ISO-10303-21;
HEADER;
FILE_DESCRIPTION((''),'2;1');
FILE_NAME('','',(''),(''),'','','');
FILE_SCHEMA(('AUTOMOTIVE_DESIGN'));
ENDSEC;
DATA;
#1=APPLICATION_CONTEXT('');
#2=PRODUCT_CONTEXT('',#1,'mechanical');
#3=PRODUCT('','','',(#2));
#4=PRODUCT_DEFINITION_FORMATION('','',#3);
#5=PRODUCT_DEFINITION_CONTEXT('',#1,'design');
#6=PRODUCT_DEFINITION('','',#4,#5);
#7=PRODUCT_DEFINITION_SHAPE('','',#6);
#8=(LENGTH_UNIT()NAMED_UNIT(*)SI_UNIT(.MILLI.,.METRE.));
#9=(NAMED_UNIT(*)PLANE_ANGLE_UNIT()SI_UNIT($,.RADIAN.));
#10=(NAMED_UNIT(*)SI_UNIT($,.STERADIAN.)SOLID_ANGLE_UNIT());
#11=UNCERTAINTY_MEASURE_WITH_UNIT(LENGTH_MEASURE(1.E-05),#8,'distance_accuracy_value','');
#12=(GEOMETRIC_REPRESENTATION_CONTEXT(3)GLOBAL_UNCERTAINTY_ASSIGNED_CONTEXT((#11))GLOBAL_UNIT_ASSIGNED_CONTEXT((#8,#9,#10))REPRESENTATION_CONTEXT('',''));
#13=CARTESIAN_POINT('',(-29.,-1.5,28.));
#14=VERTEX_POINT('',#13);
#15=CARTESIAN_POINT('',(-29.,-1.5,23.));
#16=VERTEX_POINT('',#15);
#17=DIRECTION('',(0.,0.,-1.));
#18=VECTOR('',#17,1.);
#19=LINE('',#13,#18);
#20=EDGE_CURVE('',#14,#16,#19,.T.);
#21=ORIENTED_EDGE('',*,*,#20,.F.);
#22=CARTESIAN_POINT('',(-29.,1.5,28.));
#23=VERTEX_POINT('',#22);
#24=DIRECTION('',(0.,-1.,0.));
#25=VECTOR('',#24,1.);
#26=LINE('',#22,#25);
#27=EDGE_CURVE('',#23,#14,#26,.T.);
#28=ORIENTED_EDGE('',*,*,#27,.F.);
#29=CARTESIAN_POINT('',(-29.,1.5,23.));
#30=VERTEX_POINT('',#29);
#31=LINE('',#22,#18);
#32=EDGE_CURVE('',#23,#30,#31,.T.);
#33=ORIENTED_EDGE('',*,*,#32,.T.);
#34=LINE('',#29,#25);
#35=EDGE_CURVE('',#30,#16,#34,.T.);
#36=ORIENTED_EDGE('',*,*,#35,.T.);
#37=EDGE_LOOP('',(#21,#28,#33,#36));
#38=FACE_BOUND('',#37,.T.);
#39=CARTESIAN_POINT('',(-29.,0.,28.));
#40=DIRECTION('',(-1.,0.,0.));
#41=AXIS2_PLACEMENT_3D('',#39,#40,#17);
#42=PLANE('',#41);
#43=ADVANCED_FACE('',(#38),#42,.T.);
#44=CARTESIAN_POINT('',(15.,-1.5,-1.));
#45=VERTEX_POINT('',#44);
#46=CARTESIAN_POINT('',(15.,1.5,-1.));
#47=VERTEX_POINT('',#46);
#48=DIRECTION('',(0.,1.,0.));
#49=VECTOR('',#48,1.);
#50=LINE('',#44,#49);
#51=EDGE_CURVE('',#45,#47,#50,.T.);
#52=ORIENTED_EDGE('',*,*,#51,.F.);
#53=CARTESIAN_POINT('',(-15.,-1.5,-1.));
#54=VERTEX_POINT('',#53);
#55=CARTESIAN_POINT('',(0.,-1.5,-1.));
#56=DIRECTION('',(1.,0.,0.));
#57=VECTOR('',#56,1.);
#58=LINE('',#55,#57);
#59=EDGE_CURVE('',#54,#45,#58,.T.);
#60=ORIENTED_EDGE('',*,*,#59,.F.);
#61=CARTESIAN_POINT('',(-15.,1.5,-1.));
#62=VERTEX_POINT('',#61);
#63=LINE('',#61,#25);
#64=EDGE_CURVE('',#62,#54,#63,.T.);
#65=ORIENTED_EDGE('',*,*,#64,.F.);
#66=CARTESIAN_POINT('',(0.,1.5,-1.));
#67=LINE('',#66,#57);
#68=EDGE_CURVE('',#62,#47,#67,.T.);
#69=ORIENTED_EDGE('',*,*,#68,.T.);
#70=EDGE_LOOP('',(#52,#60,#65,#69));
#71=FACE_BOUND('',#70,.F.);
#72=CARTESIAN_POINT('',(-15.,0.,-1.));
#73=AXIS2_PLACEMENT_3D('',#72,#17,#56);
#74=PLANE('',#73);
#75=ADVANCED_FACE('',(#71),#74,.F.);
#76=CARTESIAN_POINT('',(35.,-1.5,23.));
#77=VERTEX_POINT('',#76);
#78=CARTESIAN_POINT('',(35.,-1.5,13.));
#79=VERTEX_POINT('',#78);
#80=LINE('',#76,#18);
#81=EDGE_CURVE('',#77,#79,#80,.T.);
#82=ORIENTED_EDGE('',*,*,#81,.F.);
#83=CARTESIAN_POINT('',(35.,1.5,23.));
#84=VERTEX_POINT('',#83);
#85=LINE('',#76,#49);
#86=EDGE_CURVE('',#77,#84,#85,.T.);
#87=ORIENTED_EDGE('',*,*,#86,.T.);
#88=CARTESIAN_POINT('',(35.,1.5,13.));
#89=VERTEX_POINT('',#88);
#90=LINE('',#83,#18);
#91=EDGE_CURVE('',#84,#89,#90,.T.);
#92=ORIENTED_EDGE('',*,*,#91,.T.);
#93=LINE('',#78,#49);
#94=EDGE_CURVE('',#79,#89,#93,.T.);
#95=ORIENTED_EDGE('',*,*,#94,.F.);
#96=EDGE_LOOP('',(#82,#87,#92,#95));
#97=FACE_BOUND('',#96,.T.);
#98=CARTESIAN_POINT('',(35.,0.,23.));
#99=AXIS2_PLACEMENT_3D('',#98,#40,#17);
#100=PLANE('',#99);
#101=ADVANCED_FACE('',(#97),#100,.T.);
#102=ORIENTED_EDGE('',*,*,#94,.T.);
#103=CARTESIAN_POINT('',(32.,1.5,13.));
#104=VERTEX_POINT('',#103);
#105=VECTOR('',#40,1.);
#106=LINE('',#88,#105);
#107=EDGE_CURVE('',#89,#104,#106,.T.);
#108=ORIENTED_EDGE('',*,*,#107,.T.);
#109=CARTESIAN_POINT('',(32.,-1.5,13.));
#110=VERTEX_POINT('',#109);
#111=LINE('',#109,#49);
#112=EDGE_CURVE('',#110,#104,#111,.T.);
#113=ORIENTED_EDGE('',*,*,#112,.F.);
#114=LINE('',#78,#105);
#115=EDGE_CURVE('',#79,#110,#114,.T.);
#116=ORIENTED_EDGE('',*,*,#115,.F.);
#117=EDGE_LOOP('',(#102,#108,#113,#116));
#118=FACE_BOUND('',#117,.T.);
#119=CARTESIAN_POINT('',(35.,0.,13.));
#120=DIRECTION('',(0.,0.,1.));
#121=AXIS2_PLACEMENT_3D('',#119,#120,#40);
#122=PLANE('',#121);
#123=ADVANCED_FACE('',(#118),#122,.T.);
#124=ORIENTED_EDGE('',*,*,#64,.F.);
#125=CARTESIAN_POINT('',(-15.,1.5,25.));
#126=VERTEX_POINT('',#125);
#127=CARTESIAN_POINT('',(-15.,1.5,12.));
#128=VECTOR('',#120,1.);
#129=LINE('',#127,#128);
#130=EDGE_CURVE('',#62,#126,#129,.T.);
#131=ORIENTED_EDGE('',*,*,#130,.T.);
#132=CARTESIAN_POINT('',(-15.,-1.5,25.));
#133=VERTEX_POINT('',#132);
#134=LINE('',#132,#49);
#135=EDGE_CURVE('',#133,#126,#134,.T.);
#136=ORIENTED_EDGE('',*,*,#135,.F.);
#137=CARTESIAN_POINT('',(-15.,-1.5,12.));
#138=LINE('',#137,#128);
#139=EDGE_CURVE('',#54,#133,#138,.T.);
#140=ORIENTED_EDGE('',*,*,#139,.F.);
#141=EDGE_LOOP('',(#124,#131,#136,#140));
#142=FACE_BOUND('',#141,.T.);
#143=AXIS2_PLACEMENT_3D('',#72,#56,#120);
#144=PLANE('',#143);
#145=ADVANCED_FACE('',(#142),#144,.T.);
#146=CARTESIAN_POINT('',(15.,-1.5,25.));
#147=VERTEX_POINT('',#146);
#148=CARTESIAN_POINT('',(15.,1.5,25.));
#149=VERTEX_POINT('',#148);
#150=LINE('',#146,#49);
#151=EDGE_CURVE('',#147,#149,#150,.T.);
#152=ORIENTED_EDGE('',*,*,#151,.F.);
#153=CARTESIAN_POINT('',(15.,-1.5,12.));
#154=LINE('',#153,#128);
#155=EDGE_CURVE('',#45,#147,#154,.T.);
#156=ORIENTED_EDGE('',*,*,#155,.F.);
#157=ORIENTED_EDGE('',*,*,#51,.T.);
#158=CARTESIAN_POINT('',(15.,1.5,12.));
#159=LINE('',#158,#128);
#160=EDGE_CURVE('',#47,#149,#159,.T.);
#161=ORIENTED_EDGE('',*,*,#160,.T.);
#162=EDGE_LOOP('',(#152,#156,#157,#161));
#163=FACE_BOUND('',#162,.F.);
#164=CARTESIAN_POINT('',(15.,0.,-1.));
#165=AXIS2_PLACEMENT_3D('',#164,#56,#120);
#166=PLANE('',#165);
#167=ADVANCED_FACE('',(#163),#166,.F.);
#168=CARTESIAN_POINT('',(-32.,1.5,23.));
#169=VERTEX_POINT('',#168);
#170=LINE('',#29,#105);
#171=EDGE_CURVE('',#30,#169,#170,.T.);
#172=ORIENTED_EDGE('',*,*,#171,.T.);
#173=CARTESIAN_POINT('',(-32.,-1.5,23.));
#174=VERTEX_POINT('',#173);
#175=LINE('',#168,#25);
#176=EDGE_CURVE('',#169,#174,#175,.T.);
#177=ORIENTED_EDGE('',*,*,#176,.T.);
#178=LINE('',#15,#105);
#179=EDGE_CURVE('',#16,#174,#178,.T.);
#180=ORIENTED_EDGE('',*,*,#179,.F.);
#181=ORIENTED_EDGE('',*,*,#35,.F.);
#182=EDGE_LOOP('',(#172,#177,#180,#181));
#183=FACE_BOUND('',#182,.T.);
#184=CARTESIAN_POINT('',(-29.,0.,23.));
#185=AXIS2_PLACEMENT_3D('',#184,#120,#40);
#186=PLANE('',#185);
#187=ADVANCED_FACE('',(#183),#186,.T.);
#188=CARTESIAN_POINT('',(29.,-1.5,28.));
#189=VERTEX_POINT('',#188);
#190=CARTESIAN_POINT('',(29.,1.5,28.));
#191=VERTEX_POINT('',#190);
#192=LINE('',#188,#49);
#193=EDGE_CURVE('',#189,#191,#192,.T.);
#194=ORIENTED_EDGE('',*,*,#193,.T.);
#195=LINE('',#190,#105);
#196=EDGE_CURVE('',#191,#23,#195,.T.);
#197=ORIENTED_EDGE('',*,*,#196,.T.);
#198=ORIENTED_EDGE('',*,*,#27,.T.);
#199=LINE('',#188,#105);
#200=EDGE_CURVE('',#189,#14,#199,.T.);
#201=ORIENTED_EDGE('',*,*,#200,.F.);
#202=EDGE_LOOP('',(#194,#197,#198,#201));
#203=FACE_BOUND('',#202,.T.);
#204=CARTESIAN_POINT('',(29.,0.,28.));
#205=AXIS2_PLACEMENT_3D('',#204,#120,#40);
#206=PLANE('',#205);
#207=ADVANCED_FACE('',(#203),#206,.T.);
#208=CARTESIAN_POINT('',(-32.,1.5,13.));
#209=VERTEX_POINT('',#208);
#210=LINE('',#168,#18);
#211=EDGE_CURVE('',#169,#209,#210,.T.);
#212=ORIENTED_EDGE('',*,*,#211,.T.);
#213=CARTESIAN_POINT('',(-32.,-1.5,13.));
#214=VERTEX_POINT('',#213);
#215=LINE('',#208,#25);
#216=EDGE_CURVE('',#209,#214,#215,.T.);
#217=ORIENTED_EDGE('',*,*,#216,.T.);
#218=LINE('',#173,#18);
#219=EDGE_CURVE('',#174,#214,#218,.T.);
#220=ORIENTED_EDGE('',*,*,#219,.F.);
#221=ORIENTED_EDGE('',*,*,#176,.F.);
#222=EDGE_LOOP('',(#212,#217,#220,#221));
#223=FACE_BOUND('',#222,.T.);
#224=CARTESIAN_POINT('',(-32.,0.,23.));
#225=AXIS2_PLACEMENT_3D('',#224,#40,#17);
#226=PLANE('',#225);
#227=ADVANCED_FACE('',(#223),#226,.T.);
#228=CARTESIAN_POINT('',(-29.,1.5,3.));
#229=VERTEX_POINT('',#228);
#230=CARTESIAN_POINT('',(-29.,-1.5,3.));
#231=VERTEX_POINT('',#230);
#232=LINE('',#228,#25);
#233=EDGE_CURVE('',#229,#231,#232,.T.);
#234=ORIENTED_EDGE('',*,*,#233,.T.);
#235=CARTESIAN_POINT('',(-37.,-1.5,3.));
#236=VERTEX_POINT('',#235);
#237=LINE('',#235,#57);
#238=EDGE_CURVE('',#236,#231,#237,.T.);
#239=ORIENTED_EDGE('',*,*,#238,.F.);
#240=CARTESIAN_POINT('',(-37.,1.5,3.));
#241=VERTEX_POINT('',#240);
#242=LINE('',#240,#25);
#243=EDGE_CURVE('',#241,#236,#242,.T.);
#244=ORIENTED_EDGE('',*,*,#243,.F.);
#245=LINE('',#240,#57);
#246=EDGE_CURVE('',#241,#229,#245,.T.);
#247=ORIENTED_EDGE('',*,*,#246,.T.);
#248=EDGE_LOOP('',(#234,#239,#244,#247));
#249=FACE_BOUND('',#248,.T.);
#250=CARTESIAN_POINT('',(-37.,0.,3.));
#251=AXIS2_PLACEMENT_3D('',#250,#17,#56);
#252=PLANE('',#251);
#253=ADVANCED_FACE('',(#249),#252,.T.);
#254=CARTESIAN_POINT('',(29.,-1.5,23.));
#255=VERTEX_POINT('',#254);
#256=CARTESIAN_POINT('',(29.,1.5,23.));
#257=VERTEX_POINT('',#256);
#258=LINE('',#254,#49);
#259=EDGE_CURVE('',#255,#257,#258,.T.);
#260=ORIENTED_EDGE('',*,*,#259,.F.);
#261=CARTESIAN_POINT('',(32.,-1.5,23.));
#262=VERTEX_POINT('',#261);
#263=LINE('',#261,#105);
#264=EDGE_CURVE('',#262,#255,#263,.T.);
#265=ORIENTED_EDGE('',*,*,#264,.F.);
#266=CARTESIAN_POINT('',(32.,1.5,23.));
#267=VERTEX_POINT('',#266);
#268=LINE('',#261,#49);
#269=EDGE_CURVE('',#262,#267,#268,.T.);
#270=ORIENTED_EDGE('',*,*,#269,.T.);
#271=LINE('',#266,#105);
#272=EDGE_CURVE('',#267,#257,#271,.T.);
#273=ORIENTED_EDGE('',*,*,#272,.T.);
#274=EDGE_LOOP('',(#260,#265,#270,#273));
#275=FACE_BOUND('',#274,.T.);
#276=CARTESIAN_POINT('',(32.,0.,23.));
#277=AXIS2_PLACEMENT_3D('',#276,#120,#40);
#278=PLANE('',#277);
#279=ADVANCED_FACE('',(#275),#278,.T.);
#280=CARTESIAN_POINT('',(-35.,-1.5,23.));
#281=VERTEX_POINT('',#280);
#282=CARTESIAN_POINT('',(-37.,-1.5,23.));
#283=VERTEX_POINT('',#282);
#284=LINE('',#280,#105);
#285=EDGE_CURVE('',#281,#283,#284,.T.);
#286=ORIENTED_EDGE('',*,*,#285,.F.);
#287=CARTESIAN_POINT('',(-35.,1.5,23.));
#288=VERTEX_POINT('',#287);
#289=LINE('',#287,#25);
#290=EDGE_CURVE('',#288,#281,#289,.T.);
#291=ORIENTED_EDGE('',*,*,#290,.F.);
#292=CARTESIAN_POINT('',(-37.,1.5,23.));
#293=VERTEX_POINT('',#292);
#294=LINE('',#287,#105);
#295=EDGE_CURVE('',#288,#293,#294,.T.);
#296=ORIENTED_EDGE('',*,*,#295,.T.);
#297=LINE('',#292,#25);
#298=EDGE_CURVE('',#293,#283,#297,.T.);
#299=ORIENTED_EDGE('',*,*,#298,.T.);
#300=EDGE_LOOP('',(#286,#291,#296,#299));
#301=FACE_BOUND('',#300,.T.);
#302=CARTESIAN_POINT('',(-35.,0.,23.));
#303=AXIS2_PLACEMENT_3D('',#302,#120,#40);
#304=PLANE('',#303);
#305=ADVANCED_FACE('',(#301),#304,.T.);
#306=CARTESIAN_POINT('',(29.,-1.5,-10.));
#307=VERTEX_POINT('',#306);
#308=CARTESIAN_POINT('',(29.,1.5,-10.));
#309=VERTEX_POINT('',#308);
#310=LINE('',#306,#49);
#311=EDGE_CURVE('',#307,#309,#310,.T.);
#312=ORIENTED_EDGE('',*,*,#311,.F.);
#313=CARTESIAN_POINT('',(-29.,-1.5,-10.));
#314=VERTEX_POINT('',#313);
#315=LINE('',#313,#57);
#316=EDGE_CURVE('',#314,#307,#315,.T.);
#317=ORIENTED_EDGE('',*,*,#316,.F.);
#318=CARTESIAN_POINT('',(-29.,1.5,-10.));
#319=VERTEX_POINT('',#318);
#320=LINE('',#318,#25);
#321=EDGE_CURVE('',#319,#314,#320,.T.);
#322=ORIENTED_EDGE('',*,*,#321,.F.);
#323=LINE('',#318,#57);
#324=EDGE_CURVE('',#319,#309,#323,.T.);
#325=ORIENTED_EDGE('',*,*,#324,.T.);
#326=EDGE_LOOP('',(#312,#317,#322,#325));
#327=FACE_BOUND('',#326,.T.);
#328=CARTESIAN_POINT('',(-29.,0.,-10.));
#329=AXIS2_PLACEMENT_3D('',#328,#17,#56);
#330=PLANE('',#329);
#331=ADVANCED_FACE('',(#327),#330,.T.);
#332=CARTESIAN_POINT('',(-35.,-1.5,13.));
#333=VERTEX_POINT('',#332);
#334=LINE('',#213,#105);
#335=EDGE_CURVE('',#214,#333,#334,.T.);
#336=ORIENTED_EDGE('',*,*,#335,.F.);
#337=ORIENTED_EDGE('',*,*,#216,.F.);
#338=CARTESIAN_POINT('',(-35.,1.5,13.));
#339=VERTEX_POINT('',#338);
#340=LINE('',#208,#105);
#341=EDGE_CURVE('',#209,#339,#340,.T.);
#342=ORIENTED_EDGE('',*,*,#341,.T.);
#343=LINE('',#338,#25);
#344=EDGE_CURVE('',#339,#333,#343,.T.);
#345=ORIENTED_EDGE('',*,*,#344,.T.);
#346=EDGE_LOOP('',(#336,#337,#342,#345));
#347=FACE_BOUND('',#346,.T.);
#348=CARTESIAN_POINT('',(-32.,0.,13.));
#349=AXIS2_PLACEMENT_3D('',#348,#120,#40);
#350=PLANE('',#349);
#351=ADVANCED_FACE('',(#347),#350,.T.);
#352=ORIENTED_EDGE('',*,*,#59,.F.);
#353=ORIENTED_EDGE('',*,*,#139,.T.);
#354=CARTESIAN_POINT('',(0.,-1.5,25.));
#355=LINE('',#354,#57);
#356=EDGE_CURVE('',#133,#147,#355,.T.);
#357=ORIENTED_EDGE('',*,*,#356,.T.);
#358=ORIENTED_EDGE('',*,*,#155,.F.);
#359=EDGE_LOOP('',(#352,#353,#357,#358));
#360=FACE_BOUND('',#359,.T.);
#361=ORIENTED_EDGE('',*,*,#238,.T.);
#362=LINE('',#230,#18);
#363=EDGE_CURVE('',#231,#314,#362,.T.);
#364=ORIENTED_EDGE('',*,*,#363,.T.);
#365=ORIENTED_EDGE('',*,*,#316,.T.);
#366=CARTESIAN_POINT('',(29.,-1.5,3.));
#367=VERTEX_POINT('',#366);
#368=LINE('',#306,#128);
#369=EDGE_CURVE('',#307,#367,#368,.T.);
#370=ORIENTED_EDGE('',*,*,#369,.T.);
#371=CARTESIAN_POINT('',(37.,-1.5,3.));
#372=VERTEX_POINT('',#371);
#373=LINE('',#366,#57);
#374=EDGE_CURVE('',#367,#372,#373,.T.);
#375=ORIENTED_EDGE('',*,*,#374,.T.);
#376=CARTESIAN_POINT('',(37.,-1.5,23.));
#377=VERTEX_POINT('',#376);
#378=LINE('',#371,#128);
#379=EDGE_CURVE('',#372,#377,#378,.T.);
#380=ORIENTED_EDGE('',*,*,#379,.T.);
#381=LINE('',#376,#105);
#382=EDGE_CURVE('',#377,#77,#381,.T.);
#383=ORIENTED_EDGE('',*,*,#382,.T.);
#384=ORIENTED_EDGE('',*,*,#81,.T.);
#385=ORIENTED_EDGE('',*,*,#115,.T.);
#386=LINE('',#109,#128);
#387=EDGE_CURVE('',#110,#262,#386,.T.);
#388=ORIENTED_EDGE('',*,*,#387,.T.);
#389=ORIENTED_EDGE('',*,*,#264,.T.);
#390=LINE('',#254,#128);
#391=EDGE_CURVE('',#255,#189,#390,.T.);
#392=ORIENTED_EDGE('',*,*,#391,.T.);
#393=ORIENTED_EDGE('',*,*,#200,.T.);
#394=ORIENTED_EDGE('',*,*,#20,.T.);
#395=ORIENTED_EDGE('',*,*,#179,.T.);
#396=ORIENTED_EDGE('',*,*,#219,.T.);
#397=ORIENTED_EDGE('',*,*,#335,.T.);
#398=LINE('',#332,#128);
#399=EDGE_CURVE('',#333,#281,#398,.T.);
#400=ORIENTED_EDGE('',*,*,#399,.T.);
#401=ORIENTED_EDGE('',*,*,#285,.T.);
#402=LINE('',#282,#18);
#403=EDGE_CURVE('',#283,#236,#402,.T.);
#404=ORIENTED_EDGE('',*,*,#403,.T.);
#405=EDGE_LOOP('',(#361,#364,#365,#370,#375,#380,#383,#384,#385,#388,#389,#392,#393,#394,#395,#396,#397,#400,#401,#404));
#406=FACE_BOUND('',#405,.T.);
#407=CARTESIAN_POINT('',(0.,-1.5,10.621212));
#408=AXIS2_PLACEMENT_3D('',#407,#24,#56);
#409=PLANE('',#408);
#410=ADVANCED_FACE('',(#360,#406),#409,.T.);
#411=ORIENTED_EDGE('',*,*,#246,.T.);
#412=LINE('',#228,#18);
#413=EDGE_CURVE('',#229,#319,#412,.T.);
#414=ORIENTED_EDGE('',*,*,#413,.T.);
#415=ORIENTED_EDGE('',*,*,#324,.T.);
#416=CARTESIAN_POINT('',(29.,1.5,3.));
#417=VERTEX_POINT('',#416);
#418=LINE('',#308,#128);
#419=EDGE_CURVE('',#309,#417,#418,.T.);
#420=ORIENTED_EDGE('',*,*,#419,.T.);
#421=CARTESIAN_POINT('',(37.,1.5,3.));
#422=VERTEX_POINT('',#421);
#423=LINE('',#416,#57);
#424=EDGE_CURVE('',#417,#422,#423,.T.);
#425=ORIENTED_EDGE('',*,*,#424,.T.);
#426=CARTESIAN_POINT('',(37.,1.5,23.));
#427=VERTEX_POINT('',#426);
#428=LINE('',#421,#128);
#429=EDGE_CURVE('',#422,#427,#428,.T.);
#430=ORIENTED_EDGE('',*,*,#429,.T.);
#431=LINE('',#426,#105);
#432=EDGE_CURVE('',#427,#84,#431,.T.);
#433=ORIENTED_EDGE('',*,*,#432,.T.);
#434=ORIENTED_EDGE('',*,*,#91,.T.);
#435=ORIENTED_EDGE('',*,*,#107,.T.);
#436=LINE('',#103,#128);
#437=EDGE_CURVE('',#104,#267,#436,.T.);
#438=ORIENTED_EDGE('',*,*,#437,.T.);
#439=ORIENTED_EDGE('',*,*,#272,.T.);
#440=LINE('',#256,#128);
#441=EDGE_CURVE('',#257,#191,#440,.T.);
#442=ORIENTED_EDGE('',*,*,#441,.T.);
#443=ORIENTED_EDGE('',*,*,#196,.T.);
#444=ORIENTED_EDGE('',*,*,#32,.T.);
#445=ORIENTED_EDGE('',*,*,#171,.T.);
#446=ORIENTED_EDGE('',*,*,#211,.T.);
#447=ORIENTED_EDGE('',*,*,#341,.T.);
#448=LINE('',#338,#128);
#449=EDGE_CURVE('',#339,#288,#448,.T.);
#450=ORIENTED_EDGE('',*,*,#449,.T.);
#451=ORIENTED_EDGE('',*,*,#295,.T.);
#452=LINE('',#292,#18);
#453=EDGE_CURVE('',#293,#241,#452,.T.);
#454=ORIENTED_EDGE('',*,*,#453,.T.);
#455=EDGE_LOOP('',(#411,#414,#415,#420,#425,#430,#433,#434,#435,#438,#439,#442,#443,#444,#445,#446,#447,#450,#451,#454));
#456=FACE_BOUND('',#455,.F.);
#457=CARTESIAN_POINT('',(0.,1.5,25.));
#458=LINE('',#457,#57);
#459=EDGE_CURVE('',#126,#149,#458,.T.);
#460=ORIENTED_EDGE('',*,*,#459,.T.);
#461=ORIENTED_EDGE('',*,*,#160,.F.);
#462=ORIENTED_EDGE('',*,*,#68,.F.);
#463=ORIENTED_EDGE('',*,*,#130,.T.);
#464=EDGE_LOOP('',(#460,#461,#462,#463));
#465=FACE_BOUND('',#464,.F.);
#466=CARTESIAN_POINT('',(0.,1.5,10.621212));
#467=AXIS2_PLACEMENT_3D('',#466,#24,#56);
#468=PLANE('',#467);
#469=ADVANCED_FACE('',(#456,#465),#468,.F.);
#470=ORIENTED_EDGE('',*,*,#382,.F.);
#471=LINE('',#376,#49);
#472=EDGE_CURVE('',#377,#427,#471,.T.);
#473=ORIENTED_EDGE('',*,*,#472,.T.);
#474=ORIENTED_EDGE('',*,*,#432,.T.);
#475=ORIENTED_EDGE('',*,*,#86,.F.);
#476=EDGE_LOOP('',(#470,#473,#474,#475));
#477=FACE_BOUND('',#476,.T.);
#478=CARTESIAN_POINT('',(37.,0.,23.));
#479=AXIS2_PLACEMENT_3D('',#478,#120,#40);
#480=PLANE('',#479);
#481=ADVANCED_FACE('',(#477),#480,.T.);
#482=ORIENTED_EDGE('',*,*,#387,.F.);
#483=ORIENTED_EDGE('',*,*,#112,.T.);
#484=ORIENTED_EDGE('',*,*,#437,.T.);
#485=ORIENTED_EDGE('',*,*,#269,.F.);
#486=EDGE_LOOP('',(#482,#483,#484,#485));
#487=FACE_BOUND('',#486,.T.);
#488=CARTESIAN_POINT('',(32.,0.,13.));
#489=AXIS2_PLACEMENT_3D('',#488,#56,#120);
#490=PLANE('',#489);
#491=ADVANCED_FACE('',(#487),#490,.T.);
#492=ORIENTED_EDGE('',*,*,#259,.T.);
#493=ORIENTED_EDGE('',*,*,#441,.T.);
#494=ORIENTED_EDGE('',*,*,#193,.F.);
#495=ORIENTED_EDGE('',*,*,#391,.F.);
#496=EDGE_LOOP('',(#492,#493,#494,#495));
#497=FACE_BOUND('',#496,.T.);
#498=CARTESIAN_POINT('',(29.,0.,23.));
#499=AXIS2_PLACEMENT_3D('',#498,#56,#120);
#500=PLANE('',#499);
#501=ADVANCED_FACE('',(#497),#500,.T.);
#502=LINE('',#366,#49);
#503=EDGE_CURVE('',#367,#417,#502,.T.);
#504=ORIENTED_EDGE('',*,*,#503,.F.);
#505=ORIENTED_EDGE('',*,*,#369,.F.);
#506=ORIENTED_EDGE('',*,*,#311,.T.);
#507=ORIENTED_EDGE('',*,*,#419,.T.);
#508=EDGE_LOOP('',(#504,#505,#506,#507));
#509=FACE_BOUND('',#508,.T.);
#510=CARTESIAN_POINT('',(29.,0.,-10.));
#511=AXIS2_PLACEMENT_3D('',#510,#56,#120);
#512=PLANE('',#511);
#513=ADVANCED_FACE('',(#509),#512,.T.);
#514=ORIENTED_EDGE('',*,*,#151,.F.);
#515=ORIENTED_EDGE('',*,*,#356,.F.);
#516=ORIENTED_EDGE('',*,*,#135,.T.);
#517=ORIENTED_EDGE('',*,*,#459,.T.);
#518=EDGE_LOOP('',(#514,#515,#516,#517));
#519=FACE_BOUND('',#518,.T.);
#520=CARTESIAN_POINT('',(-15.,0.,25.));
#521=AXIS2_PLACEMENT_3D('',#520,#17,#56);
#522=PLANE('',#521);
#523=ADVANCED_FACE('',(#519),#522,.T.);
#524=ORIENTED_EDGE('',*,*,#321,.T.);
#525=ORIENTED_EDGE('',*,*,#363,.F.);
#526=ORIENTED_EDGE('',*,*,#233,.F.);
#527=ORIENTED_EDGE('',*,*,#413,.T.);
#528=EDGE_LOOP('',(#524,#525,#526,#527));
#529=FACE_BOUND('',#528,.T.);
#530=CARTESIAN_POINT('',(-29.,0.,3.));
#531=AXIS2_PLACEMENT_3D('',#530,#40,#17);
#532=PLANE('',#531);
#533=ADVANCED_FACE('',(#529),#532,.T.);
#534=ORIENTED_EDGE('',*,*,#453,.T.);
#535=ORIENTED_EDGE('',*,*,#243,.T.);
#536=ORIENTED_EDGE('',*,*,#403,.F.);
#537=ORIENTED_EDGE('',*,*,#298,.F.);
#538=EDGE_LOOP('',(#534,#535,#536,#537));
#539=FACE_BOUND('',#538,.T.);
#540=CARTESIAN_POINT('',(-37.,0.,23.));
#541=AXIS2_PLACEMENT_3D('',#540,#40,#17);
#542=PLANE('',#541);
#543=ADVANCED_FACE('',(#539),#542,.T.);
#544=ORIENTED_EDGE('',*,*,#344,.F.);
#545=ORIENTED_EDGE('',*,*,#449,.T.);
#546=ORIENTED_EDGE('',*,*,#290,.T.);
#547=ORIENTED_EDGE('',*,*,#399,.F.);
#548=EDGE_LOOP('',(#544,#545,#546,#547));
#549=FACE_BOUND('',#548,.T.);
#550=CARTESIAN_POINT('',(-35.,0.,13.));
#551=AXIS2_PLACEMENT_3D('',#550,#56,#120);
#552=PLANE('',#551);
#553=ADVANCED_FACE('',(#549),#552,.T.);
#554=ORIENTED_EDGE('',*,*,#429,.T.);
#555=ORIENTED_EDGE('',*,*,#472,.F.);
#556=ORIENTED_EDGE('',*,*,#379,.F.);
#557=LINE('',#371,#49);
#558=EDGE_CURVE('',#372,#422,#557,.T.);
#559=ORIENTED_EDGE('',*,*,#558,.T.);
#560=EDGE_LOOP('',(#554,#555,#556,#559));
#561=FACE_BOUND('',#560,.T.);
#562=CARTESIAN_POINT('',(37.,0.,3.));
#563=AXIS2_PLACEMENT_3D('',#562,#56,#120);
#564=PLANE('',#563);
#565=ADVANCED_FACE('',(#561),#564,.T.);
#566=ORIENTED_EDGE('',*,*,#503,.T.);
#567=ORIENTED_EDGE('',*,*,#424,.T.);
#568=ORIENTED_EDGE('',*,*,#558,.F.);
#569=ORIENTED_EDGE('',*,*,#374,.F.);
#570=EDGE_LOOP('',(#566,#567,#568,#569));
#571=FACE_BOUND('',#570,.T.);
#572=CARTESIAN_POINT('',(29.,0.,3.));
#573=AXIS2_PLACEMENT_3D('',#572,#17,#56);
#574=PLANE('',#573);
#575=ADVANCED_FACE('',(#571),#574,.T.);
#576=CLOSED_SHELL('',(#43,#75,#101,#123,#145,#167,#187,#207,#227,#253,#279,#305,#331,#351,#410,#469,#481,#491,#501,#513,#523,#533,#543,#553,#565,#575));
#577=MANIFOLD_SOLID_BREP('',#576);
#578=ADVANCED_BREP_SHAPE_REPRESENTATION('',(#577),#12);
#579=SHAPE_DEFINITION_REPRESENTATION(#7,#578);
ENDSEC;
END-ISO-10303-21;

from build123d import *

# Parameters (mm, degrees)
F0_W     = 30
F0_H     = 26
F1_DEPTH = 1.5


with BuildPart() as f1:
    # F0 (on Front) → F1 (new body, symmetric)
    with BuildSketch(Plane.XZ):
        Polygon((29, 28), (-29, 28), (-29, 23), (-32, 23), (-32, 13), (-35, 13), (-35, 23), (-37, 23), (-37, 3), (-29, 3), (-29, -10), (29, -10), (29, 3), (37, 3), (37, 23), (35, 23), (35, 13), (32, 13), (32, 23), (29, 23), align=None)
        with Locations((0, 12)):
            Rectangle(F0_W, F0_H, mode=Mode.SUBTRACT)
    extrude(amount=F1_DEPTH, both=True)


solid = f1.part
